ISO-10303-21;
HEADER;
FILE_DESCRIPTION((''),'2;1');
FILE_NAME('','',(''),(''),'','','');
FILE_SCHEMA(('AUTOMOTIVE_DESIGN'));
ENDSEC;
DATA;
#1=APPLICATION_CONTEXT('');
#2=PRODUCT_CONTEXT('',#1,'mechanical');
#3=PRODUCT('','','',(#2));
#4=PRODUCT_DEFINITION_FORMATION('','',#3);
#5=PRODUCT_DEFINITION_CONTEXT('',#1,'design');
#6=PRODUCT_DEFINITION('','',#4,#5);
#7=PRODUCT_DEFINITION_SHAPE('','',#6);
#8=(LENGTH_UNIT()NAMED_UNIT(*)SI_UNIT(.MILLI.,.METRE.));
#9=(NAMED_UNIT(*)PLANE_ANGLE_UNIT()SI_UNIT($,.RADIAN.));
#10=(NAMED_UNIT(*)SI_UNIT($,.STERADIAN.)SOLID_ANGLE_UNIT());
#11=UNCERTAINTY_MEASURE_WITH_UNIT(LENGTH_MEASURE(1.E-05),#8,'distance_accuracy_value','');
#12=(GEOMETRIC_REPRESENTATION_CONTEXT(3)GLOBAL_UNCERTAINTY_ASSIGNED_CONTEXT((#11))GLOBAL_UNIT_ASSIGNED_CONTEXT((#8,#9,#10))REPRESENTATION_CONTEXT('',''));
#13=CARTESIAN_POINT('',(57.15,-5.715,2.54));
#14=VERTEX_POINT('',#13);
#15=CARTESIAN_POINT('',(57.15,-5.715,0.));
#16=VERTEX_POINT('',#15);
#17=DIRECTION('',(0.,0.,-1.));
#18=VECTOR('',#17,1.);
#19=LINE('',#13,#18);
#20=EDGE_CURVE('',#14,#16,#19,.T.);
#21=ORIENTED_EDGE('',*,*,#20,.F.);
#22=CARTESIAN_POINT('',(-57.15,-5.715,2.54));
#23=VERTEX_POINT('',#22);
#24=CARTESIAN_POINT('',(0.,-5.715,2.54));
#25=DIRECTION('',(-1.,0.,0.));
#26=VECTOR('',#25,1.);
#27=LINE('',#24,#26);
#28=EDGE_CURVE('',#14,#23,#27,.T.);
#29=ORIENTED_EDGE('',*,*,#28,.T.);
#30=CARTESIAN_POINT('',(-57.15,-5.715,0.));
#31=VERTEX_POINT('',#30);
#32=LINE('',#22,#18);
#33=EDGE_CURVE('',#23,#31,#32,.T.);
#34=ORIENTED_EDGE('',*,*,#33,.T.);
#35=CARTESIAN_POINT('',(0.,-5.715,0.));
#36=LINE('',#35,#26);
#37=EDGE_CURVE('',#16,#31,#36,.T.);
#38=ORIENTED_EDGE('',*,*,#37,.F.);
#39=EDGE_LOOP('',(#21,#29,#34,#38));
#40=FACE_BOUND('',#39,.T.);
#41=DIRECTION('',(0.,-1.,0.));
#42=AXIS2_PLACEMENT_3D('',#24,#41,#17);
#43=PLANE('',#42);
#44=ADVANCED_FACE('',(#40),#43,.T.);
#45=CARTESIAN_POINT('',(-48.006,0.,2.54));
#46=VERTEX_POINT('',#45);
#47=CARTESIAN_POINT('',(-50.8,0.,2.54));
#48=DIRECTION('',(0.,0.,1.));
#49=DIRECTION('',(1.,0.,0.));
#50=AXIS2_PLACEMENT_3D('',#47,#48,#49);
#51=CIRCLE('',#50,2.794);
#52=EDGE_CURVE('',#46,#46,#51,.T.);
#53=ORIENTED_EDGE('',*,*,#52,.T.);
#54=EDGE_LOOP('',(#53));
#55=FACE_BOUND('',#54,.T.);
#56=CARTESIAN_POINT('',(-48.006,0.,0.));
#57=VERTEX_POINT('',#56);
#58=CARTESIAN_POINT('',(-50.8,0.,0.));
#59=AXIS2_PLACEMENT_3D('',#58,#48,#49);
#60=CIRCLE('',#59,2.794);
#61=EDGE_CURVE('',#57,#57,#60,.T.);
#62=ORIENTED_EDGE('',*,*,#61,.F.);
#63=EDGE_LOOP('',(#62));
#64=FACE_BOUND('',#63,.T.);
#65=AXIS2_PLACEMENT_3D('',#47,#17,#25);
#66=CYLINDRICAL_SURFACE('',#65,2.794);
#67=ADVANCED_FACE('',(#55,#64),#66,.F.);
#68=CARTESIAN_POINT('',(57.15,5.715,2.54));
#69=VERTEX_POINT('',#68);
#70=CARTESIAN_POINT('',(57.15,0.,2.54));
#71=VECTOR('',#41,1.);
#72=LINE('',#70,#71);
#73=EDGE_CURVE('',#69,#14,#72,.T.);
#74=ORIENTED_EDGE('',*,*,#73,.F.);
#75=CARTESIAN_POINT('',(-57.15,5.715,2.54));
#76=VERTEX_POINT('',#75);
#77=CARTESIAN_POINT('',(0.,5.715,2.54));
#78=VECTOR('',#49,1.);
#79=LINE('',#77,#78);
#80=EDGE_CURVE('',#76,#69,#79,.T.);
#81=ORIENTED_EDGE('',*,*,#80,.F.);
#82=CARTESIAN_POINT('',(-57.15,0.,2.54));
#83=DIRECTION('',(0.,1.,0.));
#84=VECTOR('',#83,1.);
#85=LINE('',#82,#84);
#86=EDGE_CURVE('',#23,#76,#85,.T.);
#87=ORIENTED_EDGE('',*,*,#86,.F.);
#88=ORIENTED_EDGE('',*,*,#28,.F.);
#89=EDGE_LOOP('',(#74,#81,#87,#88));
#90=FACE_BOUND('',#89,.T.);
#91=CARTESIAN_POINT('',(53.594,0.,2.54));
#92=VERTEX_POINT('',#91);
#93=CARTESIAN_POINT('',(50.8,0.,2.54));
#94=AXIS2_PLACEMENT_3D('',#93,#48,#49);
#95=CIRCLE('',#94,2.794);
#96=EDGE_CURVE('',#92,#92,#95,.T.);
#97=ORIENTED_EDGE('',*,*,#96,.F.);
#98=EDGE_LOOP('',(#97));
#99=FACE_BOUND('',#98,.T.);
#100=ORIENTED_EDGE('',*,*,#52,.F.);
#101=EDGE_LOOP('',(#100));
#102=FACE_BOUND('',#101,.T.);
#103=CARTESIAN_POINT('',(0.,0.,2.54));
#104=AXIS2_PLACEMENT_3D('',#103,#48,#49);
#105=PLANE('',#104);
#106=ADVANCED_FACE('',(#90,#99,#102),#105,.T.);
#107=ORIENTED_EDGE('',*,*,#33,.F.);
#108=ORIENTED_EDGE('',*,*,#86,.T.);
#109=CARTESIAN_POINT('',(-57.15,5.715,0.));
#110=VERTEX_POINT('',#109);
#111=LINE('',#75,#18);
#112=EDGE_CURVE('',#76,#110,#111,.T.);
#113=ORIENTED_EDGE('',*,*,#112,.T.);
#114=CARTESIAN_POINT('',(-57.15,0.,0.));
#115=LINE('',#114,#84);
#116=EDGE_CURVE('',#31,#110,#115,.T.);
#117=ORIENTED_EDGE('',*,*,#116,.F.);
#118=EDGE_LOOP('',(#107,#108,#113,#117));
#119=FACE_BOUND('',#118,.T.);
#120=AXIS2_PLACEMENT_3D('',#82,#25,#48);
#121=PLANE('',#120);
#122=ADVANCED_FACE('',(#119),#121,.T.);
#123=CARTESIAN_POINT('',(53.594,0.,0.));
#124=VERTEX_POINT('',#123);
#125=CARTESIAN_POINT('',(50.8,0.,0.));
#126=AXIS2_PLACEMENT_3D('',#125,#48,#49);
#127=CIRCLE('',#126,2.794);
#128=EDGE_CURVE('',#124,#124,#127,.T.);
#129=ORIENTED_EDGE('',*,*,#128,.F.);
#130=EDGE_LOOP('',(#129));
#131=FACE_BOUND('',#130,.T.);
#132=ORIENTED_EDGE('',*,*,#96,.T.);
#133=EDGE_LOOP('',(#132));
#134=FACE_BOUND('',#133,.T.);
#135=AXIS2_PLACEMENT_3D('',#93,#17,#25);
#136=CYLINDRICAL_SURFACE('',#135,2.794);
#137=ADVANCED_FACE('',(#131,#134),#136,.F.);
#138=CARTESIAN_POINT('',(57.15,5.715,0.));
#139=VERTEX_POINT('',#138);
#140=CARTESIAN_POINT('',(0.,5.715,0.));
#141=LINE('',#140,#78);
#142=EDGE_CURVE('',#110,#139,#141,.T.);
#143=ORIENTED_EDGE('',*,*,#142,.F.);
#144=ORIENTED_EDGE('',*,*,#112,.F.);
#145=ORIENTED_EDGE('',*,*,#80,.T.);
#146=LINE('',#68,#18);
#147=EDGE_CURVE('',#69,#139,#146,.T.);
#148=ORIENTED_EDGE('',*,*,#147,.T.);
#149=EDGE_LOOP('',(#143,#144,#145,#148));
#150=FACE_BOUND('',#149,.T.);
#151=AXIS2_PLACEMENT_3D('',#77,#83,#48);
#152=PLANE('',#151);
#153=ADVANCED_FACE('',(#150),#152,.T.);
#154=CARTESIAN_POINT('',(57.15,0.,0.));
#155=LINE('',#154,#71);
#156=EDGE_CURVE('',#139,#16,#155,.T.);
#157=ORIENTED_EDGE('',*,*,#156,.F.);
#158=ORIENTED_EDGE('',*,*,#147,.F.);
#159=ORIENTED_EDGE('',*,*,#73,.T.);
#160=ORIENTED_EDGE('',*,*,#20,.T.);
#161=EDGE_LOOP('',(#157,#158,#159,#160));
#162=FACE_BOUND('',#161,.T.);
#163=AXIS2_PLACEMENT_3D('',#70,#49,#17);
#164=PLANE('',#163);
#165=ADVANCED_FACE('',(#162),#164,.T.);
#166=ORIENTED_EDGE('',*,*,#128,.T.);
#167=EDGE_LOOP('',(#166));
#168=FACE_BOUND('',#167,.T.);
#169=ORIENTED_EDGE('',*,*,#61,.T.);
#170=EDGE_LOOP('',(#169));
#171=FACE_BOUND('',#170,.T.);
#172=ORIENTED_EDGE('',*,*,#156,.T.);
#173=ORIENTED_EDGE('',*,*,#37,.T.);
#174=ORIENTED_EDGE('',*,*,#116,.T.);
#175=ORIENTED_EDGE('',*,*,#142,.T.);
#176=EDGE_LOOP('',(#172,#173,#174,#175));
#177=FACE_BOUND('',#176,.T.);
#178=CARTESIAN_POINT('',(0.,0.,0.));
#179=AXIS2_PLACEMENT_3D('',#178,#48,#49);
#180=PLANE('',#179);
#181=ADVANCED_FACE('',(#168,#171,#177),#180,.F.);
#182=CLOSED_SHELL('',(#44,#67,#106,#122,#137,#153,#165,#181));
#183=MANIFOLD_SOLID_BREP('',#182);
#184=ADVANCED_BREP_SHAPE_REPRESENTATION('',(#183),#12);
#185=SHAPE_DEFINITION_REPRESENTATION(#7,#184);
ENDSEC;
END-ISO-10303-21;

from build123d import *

# Parameters (mm, degrees)
SKETCH1_R           = 2.794
BOSS_EXTRUDE1_DEPTH = 2.54


with BuildPart() as part:
    # Sketch1 → Boss-Extrude1 (new body)
    with BuildSketch(Plane.XY):
        Polygon((-57.15, 2.54), (-57.15, -2.54), (-57.15, -5.715), (57.15, -5.715), (57.15, -2.54), (57.15, 2.54), (57.15, 5.715), (-57.15, 5.715), align=None)
        with Locations((50.8, 0)):
            Circle(SKETCH1_R, mode=Mode.SUBTRACT)
        with Locations((-50.8, 0)):
            Circle(SKETCH1_R, mode=Mode.SUBTRACT)
    extrude(amount=BOSS_EXTRUDE1_DEPTH)


solid = part.part
